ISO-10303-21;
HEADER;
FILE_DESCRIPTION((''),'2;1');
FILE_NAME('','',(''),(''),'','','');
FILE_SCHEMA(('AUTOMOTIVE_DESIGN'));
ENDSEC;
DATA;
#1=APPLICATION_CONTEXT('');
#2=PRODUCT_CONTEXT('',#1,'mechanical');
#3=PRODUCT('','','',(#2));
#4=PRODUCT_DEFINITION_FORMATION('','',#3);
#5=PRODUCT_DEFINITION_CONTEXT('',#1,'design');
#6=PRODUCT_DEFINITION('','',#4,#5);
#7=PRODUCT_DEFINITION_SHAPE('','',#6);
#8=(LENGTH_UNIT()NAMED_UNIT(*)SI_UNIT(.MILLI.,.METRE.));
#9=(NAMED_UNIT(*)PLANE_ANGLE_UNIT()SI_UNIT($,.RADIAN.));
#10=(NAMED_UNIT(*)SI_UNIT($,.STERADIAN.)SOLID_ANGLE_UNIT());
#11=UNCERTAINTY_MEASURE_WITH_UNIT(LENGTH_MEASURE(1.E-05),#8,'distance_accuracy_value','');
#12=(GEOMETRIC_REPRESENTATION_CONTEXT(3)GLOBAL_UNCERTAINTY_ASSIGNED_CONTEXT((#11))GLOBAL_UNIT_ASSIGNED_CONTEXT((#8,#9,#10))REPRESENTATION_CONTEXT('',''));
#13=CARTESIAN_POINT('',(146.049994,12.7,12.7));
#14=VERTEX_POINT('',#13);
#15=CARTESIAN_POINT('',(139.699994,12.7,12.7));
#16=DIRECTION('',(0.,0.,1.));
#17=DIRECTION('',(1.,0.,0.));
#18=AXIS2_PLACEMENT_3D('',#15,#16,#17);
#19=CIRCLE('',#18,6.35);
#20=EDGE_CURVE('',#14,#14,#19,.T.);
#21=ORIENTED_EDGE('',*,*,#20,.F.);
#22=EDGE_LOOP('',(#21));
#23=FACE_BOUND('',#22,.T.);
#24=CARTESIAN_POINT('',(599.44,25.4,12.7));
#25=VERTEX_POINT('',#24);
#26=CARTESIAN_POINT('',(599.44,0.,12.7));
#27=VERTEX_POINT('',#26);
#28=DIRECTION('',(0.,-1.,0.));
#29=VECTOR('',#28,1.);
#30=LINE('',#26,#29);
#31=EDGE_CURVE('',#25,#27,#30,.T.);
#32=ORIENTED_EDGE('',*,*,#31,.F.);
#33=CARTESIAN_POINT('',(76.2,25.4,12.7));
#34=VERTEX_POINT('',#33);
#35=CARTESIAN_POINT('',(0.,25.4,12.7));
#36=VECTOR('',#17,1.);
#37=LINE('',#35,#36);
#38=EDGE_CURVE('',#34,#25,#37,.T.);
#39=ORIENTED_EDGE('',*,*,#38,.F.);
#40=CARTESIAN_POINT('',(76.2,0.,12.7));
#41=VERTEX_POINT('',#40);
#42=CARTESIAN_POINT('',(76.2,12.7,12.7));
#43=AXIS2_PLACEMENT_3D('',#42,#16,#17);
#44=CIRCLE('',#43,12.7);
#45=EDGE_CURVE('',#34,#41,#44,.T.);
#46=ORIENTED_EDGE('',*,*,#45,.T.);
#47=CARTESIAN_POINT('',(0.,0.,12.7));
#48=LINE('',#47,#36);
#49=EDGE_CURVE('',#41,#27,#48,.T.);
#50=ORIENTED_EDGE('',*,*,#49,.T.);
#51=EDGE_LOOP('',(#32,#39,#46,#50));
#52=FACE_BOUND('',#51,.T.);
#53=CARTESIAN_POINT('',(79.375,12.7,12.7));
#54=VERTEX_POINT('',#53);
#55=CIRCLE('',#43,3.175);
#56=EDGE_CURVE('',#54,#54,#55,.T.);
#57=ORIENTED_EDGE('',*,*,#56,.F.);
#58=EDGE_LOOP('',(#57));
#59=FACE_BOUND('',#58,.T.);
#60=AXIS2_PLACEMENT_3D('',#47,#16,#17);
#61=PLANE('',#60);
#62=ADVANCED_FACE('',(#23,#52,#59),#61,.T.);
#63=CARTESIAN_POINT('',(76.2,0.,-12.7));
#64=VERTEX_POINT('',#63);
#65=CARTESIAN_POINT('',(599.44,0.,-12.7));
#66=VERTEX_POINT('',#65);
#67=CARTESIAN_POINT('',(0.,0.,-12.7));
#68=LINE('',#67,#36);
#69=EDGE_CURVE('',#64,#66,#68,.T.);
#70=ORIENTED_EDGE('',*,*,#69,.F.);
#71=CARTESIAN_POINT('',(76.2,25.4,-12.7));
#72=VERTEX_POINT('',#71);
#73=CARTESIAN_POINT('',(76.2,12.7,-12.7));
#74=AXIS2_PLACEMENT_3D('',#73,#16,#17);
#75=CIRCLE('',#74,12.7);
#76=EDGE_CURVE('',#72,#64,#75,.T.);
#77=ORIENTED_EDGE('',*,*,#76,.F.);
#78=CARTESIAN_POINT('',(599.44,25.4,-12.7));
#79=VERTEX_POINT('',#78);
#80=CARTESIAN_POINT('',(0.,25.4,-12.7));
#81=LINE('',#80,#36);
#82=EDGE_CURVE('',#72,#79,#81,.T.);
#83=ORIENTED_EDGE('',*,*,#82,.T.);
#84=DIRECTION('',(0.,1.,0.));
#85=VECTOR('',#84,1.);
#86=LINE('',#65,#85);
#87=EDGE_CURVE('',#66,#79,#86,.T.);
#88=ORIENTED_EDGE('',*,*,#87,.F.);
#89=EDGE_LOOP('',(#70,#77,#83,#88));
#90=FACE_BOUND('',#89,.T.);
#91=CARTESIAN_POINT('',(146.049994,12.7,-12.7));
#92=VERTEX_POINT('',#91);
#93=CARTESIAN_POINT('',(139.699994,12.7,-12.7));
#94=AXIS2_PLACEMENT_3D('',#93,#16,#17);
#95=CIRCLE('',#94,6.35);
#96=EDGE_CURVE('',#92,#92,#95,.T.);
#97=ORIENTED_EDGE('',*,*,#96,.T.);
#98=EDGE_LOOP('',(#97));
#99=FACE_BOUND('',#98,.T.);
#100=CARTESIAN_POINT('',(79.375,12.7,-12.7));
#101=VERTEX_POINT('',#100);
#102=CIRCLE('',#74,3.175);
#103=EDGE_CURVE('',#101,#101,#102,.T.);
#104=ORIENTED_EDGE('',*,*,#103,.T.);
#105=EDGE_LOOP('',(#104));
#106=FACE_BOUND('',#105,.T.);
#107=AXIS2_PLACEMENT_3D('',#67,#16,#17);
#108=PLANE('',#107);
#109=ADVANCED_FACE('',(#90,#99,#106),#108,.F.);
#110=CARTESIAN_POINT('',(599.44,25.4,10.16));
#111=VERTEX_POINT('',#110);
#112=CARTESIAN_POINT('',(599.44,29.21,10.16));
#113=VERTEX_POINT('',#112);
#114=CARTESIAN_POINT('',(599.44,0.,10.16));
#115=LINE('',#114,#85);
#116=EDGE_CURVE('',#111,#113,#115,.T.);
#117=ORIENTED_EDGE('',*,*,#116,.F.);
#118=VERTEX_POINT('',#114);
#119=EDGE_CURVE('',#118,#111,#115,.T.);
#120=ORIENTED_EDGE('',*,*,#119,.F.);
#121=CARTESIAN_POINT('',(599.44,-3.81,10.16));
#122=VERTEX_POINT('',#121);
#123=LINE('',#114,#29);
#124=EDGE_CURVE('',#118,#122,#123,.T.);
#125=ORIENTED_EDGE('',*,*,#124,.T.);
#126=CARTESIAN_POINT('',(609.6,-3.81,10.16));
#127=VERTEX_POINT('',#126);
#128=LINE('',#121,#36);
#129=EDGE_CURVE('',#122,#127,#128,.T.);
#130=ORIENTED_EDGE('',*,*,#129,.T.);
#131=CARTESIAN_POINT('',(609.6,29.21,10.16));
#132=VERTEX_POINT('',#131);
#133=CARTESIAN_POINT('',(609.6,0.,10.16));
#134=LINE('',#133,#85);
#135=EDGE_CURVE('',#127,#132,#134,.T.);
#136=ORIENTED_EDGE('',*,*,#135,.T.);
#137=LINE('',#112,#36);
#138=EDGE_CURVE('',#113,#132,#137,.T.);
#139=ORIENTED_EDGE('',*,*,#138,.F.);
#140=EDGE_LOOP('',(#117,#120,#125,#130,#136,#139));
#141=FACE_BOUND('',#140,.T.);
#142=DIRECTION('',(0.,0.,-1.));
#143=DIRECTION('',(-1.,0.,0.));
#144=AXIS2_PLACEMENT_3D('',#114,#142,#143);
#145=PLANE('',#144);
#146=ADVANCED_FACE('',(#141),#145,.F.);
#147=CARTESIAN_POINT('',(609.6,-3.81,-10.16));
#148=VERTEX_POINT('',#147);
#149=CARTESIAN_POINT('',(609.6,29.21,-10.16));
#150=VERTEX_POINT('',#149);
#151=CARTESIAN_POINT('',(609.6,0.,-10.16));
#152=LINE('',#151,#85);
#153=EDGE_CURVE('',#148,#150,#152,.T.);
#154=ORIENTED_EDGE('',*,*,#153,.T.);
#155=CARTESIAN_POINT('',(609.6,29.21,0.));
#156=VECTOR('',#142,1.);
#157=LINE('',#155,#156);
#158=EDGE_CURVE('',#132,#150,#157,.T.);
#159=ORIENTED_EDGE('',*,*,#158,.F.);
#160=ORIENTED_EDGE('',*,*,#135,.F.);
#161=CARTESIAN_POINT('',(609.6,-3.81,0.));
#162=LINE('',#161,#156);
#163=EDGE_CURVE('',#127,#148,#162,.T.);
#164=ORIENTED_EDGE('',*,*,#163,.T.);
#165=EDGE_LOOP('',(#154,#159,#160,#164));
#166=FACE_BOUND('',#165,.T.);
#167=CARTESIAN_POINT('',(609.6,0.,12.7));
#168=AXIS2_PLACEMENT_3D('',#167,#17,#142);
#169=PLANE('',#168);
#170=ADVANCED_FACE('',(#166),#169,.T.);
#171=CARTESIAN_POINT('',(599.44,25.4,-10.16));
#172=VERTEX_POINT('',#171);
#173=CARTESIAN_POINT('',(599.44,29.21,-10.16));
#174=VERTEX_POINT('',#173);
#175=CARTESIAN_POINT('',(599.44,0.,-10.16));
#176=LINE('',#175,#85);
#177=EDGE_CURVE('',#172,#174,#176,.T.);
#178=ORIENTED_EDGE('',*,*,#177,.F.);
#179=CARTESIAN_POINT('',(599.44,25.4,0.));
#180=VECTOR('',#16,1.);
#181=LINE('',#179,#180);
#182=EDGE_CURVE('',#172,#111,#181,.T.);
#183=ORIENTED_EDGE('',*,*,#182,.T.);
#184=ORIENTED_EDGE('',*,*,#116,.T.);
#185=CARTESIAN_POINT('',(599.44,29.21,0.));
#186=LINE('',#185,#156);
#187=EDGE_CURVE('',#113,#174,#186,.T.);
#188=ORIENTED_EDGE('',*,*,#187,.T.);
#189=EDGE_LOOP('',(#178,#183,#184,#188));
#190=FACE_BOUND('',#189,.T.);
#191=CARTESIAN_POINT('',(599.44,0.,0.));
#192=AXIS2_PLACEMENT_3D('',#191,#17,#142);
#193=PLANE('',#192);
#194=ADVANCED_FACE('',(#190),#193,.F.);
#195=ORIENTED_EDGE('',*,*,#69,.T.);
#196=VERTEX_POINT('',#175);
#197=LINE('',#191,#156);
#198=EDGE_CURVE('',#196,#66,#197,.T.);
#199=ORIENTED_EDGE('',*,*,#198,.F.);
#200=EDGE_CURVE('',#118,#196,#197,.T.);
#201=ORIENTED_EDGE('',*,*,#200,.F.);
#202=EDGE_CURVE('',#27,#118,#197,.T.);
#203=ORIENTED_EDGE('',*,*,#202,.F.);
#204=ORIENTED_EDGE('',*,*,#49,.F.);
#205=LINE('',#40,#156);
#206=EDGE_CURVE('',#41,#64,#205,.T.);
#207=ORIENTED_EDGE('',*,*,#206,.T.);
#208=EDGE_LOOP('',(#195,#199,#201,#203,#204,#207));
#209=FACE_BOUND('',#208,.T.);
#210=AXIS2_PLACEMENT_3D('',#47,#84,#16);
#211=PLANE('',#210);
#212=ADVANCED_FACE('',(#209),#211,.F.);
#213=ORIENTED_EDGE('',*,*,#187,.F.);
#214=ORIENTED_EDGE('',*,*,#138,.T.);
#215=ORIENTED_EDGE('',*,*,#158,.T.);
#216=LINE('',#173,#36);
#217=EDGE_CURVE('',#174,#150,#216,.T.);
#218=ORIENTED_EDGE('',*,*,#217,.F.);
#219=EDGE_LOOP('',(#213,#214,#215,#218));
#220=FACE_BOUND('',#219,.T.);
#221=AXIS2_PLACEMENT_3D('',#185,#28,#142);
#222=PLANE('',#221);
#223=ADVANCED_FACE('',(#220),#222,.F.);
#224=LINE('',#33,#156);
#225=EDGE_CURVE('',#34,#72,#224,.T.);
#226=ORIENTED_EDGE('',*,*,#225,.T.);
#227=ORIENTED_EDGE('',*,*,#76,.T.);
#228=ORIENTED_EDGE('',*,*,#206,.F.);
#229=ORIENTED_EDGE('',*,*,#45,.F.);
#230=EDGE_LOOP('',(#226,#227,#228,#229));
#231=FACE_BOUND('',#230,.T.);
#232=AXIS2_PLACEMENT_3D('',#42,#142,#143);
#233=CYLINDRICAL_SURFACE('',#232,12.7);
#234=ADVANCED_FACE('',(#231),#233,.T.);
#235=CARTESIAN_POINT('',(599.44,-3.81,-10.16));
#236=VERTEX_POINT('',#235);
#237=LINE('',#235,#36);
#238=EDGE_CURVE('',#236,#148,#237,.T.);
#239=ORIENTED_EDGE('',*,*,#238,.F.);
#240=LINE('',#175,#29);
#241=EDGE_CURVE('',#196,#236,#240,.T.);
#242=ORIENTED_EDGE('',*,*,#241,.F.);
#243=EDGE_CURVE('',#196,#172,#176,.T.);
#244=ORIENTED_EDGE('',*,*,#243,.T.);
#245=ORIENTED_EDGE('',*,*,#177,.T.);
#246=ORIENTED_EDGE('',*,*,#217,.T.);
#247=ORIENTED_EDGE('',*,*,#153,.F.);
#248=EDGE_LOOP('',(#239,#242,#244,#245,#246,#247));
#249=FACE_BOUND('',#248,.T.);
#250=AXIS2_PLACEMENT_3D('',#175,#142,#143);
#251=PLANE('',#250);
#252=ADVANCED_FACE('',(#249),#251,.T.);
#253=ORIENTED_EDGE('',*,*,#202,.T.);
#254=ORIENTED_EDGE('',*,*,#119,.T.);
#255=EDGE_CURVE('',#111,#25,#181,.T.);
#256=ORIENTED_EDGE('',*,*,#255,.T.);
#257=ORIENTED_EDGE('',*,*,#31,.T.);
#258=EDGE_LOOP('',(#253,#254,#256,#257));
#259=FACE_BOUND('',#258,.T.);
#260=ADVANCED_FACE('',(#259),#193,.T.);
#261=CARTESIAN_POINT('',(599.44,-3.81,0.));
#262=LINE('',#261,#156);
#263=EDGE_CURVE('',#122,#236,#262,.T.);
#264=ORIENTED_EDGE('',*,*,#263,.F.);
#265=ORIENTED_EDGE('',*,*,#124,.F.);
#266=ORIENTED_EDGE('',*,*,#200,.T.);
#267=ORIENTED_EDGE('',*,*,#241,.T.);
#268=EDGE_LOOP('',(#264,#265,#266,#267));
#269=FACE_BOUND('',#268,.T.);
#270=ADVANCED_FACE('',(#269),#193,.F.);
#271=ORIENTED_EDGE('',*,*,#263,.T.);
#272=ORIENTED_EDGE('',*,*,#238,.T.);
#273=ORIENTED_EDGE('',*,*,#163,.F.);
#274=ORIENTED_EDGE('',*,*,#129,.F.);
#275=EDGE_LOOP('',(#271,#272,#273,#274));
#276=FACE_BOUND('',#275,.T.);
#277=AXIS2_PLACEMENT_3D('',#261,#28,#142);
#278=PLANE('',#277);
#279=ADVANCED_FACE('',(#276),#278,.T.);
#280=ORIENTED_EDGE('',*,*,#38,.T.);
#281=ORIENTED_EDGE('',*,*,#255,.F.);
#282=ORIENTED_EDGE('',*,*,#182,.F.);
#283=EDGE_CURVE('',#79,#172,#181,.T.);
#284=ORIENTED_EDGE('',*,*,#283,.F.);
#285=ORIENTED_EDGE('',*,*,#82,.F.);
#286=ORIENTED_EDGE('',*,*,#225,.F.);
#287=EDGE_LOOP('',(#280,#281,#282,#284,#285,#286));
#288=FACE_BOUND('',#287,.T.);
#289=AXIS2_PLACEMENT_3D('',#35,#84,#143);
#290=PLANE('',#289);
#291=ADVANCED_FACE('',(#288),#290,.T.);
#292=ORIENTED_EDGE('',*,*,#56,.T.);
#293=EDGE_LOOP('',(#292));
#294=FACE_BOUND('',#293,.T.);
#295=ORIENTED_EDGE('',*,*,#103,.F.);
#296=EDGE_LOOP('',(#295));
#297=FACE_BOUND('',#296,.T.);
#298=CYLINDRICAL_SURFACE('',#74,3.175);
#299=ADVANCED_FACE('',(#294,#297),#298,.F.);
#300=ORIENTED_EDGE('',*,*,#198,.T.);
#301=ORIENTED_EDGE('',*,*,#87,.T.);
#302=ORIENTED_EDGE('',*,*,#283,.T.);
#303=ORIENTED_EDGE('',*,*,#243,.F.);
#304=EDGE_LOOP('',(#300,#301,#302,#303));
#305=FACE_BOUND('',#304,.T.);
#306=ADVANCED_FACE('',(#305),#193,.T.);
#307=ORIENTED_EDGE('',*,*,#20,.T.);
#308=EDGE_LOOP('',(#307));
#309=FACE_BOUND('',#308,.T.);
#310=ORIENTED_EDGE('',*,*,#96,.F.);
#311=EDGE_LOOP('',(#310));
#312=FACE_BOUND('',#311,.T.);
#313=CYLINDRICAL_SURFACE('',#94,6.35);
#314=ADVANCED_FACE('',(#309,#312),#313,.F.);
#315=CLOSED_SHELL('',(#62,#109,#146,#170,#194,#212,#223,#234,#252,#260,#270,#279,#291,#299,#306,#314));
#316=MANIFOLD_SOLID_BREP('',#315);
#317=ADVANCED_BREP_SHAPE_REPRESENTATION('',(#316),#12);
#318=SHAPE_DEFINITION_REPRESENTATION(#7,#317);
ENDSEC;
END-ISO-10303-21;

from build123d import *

# Parameters (mm, degrees)
BOSS_EXTRUDE1_DEPTH = 12.7
SKETCH1_10_R        = 3.175
SKETCH1_10_R_2      = 6.35
CUT_EXTRUDE3_DEPTH  = 12.7
SKETCH2_W           = 2.54
SKETCH2_H           = 25.4
CUT_EXTRUDE4_DEPTH  = 10.16
SKETCH2_3_W         = 20.32
SKETCH2_3_H         = 3.81
BOSS_EXTRUDE2_DEPTH = 10.16


with BuildPart() as part:
    # Sketch1 → Boss-Extrude1 (new, symmetric)
    with BuildSketch(Plane.XY):
        with BuildLine():
            Line((609.6, 0), (609.6, 25.4))
            Line((609.6, 25.4), (76.2, 25.4))
            ThreePointArc((76.2, 25.4), (63.5, 12.7), (76.2, 0))
            Line((76.2, 0), (609.6, 0))
        make_face()
    extrude(amount=BOSS_EXTRUDE1_DEPTH, both=True)

    # Sketch1<10> → Cut-Extrude3 (cut, symmetric)
    with BuildSketch(Plane.XY):
        with Locations((76.2, 12.7)):
            Circle(SKETCH1_10_R)
        with Locations((139.699994312, 12.7)):
            Circle(SKETCH1_10_R_2)
    extrude(amount=CUT_EXTRUDE3_DEPTH, both=True, mode=Mode.SUBTRACT)

    # Sketch2 → Cut-Extrude4 (cut)
    with BuildSketch(Plane(origin=(609.6, 0, 0), x_dir=(0, 0, -1), z_dir=(1, 0, 0))):
        with Locations((-11.43, 12.7)):
            Rectangle(SKETCH2_W, SKETCH2_H)
        with Locations((11.43, 12.7)):
            Rectangle(SKETCH2_W, SKETCH2_H)
    extrude(amount=-CUT_EXTRUDE4_DEPTH, mode=Mode.SUBTRACT)

    # Sketch2<3> → Boss-Extrude2 (add)
    with BuildSketch(Plane(origin=(609.6, 0, 0), x_dir=(0, 0, -1), z_dir=(1, 0, 0))):
        with Locations((0, 27.305)):
            Rectangle(SKETCH2_3_W, SKETCH2_3_H)
        with Locations((0, -1.905)):
            Rectangle(SKETCH2_3_W, SKETCH2_3_H)
    extrude(amount=-BOSS_EXTRUDE2_DEPTH)


solid = part.part
